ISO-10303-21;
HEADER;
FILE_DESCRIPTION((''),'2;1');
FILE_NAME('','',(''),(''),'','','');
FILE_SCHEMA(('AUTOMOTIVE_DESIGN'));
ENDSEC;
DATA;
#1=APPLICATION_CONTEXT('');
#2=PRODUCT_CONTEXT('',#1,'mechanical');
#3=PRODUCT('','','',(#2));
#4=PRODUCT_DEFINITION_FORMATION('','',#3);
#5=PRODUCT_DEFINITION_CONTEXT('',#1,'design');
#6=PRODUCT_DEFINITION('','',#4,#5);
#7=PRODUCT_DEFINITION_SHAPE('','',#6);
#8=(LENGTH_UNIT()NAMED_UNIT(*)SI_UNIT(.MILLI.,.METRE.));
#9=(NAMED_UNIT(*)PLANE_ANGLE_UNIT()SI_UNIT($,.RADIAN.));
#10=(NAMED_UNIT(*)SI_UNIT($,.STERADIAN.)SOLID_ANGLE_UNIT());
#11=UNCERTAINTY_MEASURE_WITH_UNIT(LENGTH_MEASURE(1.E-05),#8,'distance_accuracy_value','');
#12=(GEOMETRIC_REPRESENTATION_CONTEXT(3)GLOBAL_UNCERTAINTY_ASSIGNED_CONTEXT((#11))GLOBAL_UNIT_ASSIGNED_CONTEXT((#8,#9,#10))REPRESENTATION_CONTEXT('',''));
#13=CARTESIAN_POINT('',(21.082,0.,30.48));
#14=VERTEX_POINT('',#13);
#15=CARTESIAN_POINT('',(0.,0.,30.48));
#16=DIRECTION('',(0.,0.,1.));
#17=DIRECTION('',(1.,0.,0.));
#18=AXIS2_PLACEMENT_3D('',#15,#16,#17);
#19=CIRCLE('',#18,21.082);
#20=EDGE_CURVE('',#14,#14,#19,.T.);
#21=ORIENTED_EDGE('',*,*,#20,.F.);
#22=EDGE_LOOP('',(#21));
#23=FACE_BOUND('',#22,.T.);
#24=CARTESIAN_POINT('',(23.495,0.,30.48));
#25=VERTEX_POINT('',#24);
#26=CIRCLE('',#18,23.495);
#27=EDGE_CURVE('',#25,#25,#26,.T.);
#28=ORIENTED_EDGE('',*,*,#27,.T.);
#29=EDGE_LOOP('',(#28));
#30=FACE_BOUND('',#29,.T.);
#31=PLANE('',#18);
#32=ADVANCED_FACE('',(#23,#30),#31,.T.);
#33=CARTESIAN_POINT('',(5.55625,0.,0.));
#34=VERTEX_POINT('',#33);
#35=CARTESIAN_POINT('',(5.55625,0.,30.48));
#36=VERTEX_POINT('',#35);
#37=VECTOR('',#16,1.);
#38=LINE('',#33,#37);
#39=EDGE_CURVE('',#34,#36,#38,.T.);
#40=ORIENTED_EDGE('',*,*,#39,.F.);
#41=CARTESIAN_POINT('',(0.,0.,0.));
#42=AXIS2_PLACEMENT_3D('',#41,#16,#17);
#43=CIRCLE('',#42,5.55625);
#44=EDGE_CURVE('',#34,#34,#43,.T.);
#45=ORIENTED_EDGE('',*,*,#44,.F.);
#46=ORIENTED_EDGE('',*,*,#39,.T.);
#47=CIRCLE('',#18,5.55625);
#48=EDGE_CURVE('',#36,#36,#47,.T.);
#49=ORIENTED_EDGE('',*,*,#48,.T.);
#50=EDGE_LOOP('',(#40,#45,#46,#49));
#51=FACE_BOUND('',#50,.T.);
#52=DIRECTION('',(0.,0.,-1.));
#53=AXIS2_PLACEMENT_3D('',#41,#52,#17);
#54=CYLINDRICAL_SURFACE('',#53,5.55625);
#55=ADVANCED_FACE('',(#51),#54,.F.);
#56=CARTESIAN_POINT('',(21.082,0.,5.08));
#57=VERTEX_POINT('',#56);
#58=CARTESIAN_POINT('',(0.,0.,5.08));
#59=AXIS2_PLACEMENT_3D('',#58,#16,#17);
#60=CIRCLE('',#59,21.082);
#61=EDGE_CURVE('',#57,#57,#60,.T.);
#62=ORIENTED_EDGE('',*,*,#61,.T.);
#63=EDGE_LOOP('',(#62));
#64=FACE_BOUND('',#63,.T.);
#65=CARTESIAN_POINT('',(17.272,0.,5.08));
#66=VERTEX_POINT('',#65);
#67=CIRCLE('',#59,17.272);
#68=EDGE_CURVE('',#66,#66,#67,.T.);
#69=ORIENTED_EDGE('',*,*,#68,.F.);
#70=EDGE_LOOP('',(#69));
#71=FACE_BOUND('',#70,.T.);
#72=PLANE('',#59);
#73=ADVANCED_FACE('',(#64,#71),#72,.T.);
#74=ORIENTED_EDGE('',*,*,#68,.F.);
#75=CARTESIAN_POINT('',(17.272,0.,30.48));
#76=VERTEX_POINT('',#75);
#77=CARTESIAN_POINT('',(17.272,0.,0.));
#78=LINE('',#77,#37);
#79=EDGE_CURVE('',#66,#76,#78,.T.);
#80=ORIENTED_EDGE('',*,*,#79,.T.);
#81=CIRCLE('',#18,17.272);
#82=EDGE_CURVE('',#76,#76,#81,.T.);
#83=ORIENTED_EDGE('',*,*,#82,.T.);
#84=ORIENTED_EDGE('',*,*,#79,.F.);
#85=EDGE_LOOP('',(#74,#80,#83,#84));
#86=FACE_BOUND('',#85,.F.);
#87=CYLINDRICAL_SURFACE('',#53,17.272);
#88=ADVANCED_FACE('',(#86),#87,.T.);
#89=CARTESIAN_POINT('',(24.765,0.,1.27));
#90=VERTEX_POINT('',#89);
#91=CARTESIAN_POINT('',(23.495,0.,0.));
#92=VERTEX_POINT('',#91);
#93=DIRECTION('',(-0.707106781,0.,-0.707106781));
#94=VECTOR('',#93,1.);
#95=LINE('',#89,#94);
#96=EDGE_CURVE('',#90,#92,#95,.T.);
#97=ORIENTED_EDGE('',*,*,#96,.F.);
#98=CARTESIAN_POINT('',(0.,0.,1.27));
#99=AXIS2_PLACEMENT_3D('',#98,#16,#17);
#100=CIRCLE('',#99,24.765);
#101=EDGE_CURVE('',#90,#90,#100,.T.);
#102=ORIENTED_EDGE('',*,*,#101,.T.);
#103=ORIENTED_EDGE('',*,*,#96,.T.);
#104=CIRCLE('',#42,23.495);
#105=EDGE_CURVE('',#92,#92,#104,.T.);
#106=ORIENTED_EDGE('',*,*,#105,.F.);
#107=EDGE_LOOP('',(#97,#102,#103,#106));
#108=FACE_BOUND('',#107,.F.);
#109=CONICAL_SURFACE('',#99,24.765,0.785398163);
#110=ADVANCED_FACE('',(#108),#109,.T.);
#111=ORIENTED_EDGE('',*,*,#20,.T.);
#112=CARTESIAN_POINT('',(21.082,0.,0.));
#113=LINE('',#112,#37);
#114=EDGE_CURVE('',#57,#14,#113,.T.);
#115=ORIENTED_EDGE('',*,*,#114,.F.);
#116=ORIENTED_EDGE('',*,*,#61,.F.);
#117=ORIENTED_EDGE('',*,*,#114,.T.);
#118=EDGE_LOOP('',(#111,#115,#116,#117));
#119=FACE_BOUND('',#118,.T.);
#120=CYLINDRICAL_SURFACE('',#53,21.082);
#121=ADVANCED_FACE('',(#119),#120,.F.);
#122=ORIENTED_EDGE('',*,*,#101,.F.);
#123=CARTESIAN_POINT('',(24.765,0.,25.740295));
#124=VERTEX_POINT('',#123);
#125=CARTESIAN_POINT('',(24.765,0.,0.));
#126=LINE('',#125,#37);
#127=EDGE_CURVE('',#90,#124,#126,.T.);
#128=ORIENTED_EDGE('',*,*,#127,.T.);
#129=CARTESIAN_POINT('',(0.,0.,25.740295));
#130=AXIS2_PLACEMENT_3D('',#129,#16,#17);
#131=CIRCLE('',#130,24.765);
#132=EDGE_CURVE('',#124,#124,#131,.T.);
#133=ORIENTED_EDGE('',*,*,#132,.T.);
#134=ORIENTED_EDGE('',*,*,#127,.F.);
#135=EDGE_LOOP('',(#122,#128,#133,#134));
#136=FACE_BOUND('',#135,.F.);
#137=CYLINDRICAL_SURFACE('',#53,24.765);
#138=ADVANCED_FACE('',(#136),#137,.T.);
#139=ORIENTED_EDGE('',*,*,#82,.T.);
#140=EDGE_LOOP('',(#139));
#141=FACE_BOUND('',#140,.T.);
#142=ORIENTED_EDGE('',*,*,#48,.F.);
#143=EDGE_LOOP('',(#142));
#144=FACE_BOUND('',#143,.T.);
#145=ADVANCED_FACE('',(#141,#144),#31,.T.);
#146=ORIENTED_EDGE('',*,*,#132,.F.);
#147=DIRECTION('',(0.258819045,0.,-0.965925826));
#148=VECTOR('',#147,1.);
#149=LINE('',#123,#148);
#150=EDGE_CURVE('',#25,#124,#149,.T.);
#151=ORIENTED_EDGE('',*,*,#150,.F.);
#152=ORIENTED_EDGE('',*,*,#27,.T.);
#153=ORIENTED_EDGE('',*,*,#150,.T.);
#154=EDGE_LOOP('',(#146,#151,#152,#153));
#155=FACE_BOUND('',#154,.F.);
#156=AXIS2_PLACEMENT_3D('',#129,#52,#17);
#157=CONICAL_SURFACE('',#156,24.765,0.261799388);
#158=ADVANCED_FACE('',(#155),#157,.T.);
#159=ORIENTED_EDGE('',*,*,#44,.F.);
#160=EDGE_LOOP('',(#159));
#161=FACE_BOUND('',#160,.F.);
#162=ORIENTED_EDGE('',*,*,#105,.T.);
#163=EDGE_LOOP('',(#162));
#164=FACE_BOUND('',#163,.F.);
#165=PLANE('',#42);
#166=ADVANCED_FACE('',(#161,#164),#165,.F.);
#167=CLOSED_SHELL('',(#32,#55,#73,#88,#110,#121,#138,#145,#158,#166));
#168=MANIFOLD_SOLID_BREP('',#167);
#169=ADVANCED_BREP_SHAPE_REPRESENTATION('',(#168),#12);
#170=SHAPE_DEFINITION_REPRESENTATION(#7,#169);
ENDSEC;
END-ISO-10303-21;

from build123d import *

# Parameters (mm, degrees)
F0_R     = 24.765
F0_R_2   = 21.082
F1_DEPTH = 30.48
F0_R_3   = 17.272
F0_R_4   = 5.55625
F2_DEPTH = 5.08
F3_SIZE2 = 4.7397045256
F3_SIZE  = 1.27
F4_SIZE  = 1.27


with BuildPart() as f1:
    # F0 (on Top) → F1 (new body)
    with BuildSketch(Plane.XY):
        Circle(F0_R)
        Circle(F0_R_2, mode=Mode.SUBTRACT)
    extrude(amount=F1_DEPTH)



with BuildPart() as f1b:
    # F0 (on Top) → F1, piece 2 (new body)
    with BuildSketch(Plane.XY):
        Circle(F0_R_3)
        Circle(F0_R_4, mode=Mode.SUBTRACT)
    extrude(amount=F1_DEPTH)


with BuildPart() as f1_1:
    add(f1.part)

    add(f1b.part)  # F2 merges F1b
    # F0 (on Top) → F2 (join)
    with BuildSketch(Plane.XY):
        Circle(F0_R_2)
        Circle(F0_R_3, mode=Mode.SUBTRACT)
    extrude(amount=F2_DEPTH)

    # F3
    f3_edges = [f1_1.edges().sort_by_distance(p)[0] for p in [
        (-24.765, 0, 30.48),
    ]]
    f3_side = f1_1.faces().sort_by_distance((-24.06454, 0, 30.48))[0]
    chamfer(f3_edges, length=F3_SIZE, length2=F3_SIZE2, reference=f3_side)

    # F4
    f4_edges = [f1_1.edges().sort_by_distance(p)[0] for p in [
        (-24.765, 0, 0),
    ]]
    chamfer(f4_edges, length=F4_SIZE)


solid = f1_1.part
